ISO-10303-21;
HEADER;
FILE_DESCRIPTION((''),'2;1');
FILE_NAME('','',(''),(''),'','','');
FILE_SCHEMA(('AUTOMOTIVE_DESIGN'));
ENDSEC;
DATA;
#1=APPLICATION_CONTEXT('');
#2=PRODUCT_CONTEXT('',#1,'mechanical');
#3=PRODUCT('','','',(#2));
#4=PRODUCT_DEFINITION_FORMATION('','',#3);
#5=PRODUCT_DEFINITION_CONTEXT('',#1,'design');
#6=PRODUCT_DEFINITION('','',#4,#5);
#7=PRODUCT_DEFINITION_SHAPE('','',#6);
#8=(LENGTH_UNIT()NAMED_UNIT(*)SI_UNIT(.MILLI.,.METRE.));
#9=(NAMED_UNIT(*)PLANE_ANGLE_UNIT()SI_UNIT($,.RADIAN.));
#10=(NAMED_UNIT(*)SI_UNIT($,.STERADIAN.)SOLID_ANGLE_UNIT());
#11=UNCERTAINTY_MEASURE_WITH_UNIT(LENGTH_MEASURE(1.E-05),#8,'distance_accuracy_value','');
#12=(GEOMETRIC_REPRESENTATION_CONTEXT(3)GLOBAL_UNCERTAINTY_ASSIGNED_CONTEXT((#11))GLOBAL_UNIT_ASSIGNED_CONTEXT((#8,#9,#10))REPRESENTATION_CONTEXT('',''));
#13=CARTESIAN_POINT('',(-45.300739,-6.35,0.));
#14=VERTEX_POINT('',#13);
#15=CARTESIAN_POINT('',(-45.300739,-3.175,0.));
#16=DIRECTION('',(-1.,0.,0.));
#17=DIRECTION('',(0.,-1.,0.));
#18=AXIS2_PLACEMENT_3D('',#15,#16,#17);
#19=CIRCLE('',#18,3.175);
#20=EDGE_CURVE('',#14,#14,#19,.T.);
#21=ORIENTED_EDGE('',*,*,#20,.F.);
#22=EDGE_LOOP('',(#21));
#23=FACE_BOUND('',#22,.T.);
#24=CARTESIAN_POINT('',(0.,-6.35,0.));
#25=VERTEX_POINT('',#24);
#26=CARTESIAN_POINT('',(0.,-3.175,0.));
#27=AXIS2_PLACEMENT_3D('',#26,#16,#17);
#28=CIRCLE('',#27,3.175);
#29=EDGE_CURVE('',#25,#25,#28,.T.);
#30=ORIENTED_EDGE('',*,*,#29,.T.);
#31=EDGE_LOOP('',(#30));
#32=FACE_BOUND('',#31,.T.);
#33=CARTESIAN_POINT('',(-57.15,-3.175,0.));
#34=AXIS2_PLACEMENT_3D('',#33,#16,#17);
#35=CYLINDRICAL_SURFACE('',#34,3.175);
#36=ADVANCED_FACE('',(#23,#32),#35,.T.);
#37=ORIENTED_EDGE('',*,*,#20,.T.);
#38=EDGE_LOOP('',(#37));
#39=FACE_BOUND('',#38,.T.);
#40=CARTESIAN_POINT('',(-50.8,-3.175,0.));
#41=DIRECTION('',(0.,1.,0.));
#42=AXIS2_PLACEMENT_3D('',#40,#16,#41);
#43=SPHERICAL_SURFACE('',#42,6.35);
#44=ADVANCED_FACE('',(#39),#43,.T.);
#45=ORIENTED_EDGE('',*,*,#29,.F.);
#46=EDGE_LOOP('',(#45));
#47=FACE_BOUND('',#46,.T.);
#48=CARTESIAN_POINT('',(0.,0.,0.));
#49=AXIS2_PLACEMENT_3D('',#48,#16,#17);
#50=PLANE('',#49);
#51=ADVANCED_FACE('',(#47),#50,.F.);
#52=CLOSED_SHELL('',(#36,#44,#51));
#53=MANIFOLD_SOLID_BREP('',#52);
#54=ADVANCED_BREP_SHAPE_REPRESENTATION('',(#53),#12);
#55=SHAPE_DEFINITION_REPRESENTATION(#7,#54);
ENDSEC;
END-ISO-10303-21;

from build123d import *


with BuildPart() as part:
    # Sketch1 → Revolve1 (revolve)
    with BuildSketch(Plane.XY, mode=Mode.PRIVATE) as revolve1_sk:
        with BuildLine():
            Line((0, 0), (-45.300738686, 0))
            ThreePointArc((-45.300738686, 0), (-52.443500936, 2.958628997), (-57.15, -3.175))
            Line((-57.15, -3.175), (0, -3.175))
            Line((0, -3.175), (0, 0))
        make_face()
    revolve(revolve1_sk.sketch.rotate(Axis((-57.15, -3.175, 0), (1, 0, 0)), 180), axis=Axis((-57.15, -3.175, 0), (1, 0, 0)))


solid = part.part
